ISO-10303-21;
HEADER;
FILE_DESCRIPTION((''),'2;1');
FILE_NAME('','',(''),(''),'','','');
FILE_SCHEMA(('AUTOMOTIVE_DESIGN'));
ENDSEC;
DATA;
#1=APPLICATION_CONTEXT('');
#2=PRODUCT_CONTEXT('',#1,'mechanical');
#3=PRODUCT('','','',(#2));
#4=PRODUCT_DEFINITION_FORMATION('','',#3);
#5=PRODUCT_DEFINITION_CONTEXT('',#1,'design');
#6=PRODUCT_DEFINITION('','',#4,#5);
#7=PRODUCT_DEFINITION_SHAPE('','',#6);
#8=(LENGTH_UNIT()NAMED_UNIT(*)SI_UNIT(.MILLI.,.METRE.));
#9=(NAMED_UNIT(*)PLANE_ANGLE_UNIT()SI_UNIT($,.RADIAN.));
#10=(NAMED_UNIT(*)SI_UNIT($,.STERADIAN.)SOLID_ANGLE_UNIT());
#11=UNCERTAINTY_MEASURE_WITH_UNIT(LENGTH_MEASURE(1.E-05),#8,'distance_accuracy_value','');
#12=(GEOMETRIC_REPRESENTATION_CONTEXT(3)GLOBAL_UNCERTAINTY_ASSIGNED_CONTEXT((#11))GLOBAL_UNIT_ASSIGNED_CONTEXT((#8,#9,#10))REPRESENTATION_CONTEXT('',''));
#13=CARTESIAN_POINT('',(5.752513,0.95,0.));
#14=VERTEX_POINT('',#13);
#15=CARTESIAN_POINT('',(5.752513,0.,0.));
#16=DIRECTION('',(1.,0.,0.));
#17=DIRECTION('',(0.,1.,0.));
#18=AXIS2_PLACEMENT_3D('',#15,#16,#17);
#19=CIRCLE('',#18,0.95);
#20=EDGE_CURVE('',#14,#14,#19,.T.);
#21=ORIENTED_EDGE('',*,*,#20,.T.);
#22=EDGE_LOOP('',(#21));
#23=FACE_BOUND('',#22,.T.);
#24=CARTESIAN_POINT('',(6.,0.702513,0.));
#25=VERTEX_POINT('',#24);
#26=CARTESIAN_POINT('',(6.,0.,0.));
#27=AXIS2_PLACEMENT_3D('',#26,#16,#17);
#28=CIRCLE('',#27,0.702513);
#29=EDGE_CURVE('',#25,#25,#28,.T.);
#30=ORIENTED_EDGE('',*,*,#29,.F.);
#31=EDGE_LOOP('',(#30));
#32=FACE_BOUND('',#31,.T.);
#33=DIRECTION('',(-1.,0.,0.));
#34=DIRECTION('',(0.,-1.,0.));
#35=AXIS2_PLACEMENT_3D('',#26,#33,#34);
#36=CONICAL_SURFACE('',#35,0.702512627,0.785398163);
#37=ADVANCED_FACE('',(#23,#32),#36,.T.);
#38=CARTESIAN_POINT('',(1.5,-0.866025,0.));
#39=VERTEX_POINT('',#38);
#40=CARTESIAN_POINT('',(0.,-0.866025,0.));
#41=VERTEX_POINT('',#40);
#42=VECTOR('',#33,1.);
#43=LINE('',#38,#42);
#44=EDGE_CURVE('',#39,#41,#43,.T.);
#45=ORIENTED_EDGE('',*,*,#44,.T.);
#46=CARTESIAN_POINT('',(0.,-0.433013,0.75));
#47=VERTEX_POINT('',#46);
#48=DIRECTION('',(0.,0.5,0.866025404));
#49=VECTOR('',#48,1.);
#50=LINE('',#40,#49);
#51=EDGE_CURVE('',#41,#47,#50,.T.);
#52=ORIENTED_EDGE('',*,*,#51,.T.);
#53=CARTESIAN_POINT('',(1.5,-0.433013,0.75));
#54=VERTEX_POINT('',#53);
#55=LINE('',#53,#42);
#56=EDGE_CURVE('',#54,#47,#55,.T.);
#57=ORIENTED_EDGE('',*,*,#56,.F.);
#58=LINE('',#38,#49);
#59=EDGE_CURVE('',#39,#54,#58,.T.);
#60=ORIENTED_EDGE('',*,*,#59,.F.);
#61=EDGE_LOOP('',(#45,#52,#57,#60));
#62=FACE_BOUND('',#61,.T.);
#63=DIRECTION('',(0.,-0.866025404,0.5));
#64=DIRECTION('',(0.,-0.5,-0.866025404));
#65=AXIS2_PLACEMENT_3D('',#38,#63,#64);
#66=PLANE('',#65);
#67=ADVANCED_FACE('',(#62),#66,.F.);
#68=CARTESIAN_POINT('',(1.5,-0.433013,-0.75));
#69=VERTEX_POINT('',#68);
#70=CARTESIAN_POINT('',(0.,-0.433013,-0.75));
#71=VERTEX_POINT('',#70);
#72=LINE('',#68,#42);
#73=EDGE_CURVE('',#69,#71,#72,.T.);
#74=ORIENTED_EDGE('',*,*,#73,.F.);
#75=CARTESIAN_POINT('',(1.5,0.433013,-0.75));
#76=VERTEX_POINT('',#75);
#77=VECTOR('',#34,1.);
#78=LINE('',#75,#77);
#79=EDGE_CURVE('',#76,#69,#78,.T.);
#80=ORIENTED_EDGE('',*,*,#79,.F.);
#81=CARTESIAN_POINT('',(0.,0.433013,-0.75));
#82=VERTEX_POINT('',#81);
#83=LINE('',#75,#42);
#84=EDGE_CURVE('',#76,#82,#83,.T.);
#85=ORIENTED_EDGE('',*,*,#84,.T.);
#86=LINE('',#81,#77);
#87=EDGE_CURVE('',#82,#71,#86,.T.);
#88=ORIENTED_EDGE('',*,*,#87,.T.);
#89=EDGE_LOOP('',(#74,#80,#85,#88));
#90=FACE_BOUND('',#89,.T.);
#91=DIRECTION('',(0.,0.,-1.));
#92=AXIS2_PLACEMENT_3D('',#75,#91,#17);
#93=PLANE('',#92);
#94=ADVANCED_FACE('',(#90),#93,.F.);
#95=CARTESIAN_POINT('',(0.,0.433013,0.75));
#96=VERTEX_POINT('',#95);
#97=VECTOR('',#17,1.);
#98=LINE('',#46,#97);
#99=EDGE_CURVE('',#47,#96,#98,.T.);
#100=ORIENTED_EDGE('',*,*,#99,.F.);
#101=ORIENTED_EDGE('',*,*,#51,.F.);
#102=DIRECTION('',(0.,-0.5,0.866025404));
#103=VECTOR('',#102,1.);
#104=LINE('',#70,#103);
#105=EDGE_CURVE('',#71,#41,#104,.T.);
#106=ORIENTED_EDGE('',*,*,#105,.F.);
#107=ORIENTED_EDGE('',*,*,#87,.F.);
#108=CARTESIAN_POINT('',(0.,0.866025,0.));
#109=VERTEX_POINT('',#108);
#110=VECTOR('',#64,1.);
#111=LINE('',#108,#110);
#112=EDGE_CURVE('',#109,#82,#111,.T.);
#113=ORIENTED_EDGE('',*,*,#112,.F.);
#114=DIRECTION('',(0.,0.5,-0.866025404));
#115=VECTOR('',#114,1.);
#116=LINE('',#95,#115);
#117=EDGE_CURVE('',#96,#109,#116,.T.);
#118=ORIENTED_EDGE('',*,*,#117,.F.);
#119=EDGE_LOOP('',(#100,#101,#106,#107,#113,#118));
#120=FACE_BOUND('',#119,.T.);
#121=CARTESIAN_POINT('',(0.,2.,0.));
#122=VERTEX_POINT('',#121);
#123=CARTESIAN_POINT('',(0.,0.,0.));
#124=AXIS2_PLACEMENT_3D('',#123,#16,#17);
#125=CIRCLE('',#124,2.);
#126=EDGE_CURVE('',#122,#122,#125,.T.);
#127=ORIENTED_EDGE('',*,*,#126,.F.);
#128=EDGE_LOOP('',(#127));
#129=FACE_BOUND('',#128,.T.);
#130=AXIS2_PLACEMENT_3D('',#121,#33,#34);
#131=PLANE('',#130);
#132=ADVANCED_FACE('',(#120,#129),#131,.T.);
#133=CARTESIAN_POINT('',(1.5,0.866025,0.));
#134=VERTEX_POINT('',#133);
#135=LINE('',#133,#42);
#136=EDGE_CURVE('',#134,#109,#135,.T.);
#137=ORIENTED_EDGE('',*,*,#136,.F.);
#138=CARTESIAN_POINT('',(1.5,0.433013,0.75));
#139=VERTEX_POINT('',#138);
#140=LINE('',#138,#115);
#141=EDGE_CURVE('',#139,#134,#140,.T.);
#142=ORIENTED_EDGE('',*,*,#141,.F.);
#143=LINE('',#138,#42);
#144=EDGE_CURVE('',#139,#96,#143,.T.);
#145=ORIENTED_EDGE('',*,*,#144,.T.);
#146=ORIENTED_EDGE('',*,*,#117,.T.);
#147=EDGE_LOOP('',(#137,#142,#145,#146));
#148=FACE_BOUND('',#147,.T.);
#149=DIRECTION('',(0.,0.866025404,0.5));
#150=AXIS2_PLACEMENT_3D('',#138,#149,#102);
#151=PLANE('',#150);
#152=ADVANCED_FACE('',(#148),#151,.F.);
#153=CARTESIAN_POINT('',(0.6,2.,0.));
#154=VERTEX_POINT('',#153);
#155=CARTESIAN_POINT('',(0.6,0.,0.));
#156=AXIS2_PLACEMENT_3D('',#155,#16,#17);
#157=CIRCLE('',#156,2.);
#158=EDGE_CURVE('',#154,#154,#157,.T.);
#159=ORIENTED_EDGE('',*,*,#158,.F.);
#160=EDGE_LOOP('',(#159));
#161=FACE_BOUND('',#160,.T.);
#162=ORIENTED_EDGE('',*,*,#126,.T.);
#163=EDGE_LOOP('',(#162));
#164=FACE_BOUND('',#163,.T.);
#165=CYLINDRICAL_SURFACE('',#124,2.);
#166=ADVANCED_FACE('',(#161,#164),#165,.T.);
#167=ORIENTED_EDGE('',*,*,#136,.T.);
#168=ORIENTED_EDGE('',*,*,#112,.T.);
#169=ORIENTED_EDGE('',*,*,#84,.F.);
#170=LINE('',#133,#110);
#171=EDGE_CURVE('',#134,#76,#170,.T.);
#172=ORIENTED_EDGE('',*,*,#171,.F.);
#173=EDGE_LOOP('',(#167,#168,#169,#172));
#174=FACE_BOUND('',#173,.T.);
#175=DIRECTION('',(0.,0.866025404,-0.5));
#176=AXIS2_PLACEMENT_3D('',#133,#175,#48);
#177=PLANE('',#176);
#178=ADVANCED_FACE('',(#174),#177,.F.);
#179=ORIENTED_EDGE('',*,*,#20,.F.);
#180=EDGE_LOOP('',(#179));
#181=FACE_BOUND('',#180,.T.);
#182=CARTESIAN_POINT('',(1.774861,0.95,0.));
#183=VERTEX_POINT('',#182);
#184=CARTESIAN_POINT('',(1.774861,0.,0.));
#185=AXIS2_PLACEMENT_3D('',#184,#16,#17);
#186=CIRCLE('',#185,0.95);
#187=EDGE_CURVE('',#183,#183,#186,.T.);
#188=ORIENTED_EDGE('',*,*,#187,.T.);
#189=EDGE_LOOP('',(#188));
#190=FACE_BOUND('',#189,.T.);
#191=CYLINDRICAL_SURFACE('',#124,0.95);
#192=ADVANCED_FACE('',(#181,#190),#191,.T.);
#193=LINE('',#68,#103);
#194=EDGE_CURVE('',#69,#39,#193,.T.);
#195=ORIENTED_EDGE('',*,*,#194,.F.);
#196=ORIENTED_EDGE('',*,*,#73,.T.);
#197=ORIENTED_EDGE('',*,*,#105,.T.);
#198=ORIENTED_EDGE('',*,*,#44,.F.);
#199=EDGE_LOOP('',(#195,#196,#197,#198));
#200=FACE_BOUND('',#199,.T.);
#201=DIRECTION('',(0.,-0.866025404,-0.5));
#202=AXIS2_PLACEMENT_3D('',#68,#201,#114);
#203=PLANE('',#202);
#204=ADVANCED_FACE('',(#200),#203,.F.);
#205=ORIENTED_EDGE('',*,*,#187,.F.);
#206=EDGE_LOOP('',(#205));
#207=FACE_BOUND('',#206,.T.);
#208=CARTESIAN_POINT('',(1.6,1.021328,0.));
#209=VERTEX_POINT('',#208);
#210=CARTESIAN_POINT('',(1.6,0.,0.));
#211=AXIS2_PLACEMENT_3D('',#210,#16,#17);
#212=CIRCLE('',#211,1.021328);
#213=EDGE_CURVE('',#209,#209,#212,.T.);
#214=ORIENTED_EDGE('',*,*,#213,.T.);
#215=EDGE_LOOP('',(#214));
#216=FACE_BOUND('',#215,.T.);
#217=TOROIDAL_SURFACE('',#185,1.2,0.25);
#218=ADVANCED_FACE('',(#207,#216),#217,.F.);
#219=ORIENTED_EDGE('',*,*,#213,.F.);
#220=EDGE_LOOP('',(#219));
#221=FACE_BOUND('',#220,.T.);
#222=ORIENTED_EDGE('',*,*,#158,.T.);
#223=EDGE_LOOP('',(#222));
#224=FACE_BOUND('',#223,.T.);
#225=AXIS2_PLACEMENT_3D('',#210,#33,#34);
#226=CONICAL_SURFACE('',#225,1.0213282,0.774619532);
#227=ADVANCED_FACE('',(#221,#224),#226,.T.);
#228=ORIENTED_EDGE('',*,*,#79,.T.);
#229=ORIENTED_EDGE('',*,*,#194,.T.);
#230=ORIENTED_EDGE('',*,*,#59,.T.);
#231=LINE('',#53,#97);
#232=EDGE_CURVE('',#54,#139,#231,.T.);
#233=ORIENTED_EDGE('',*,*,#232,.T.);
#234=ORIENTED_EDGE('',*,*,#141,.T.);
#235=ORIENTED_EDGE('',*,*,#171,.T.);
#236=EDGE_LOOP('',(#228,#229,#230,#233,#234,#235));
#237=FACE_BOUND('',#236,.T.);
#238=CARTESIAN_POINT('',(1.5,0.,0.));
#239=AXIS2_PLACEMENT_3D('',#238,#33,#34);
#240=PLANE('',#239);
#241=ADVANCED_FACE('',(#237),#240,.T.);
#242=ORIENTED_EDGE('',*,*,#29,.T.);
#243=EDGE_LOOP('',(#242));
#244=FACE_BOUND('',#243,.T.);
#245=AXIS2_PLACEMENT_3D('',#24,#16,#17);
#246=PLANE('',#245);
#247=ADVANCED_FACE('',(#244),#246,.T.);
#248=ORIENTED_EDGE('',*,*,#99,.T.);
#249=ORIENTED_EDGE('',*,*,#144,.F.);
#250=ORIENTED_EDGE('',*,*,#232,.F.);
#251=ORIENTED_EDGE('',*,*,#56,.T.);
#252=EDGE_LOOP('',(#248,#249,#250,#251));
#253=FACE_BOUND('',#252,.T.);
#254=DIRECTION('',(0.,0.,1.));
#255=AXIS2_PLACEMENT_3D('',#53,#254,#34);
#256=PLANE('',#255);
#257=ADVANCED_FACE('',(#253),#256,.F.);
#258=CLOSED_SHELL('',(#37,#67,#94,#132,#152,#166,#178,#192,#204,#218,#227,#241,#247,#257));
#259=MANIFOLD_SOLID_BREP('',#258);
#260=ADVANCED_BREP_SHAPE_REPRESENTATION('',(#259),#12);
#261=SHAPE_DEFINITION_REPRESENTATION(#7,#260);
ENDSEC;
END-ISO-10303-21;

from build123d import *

# Parameters (mm, degrees)
CUT_EXTRUDE1_DEPTH = 1.5


with BuildPart() as part:
    # Sketch1 → Revolve1 (revolve)
    with BuildSketch(Plane.XY):
        with BuildLine():
            Line((1.774861053, 0.95), (5.752512627, 0.95))
            Line((5.752512627, 0.95), (6, 0.702512627))
            Line((6, 0.702512627), (6, 0))
            Line((6, 0), (0, 0))
            Line((0, 0), (0, 2))
            Line((0, 2), (0.6, 2))
            Line((0.6, 2), (1.6, 1.0213282))
            ThreePointArc((1.6, 1.0213282), (1.680436347, 0.968517873), (1.774861053, 0.95))
        make_face()
    revolve(axis=Axis((0, 0, 0), (-1, 0, 0)))

    # Sketch2 → Cut-Extrude1 (cut)
    with BuildSketch(Plane.ZY):
        Polygon((0.75, 0.433012702), (0, 0.866025404), (-0.75, 0.433012702), (-0.75, -0.433012702), (0, -0.866025404), (0.75, -0.433012702), align=None)
    extrude(amount=-CUT_EXTRUDE1_DEPTH, mode=Mode.SUBTRACT)


solid = part.part
